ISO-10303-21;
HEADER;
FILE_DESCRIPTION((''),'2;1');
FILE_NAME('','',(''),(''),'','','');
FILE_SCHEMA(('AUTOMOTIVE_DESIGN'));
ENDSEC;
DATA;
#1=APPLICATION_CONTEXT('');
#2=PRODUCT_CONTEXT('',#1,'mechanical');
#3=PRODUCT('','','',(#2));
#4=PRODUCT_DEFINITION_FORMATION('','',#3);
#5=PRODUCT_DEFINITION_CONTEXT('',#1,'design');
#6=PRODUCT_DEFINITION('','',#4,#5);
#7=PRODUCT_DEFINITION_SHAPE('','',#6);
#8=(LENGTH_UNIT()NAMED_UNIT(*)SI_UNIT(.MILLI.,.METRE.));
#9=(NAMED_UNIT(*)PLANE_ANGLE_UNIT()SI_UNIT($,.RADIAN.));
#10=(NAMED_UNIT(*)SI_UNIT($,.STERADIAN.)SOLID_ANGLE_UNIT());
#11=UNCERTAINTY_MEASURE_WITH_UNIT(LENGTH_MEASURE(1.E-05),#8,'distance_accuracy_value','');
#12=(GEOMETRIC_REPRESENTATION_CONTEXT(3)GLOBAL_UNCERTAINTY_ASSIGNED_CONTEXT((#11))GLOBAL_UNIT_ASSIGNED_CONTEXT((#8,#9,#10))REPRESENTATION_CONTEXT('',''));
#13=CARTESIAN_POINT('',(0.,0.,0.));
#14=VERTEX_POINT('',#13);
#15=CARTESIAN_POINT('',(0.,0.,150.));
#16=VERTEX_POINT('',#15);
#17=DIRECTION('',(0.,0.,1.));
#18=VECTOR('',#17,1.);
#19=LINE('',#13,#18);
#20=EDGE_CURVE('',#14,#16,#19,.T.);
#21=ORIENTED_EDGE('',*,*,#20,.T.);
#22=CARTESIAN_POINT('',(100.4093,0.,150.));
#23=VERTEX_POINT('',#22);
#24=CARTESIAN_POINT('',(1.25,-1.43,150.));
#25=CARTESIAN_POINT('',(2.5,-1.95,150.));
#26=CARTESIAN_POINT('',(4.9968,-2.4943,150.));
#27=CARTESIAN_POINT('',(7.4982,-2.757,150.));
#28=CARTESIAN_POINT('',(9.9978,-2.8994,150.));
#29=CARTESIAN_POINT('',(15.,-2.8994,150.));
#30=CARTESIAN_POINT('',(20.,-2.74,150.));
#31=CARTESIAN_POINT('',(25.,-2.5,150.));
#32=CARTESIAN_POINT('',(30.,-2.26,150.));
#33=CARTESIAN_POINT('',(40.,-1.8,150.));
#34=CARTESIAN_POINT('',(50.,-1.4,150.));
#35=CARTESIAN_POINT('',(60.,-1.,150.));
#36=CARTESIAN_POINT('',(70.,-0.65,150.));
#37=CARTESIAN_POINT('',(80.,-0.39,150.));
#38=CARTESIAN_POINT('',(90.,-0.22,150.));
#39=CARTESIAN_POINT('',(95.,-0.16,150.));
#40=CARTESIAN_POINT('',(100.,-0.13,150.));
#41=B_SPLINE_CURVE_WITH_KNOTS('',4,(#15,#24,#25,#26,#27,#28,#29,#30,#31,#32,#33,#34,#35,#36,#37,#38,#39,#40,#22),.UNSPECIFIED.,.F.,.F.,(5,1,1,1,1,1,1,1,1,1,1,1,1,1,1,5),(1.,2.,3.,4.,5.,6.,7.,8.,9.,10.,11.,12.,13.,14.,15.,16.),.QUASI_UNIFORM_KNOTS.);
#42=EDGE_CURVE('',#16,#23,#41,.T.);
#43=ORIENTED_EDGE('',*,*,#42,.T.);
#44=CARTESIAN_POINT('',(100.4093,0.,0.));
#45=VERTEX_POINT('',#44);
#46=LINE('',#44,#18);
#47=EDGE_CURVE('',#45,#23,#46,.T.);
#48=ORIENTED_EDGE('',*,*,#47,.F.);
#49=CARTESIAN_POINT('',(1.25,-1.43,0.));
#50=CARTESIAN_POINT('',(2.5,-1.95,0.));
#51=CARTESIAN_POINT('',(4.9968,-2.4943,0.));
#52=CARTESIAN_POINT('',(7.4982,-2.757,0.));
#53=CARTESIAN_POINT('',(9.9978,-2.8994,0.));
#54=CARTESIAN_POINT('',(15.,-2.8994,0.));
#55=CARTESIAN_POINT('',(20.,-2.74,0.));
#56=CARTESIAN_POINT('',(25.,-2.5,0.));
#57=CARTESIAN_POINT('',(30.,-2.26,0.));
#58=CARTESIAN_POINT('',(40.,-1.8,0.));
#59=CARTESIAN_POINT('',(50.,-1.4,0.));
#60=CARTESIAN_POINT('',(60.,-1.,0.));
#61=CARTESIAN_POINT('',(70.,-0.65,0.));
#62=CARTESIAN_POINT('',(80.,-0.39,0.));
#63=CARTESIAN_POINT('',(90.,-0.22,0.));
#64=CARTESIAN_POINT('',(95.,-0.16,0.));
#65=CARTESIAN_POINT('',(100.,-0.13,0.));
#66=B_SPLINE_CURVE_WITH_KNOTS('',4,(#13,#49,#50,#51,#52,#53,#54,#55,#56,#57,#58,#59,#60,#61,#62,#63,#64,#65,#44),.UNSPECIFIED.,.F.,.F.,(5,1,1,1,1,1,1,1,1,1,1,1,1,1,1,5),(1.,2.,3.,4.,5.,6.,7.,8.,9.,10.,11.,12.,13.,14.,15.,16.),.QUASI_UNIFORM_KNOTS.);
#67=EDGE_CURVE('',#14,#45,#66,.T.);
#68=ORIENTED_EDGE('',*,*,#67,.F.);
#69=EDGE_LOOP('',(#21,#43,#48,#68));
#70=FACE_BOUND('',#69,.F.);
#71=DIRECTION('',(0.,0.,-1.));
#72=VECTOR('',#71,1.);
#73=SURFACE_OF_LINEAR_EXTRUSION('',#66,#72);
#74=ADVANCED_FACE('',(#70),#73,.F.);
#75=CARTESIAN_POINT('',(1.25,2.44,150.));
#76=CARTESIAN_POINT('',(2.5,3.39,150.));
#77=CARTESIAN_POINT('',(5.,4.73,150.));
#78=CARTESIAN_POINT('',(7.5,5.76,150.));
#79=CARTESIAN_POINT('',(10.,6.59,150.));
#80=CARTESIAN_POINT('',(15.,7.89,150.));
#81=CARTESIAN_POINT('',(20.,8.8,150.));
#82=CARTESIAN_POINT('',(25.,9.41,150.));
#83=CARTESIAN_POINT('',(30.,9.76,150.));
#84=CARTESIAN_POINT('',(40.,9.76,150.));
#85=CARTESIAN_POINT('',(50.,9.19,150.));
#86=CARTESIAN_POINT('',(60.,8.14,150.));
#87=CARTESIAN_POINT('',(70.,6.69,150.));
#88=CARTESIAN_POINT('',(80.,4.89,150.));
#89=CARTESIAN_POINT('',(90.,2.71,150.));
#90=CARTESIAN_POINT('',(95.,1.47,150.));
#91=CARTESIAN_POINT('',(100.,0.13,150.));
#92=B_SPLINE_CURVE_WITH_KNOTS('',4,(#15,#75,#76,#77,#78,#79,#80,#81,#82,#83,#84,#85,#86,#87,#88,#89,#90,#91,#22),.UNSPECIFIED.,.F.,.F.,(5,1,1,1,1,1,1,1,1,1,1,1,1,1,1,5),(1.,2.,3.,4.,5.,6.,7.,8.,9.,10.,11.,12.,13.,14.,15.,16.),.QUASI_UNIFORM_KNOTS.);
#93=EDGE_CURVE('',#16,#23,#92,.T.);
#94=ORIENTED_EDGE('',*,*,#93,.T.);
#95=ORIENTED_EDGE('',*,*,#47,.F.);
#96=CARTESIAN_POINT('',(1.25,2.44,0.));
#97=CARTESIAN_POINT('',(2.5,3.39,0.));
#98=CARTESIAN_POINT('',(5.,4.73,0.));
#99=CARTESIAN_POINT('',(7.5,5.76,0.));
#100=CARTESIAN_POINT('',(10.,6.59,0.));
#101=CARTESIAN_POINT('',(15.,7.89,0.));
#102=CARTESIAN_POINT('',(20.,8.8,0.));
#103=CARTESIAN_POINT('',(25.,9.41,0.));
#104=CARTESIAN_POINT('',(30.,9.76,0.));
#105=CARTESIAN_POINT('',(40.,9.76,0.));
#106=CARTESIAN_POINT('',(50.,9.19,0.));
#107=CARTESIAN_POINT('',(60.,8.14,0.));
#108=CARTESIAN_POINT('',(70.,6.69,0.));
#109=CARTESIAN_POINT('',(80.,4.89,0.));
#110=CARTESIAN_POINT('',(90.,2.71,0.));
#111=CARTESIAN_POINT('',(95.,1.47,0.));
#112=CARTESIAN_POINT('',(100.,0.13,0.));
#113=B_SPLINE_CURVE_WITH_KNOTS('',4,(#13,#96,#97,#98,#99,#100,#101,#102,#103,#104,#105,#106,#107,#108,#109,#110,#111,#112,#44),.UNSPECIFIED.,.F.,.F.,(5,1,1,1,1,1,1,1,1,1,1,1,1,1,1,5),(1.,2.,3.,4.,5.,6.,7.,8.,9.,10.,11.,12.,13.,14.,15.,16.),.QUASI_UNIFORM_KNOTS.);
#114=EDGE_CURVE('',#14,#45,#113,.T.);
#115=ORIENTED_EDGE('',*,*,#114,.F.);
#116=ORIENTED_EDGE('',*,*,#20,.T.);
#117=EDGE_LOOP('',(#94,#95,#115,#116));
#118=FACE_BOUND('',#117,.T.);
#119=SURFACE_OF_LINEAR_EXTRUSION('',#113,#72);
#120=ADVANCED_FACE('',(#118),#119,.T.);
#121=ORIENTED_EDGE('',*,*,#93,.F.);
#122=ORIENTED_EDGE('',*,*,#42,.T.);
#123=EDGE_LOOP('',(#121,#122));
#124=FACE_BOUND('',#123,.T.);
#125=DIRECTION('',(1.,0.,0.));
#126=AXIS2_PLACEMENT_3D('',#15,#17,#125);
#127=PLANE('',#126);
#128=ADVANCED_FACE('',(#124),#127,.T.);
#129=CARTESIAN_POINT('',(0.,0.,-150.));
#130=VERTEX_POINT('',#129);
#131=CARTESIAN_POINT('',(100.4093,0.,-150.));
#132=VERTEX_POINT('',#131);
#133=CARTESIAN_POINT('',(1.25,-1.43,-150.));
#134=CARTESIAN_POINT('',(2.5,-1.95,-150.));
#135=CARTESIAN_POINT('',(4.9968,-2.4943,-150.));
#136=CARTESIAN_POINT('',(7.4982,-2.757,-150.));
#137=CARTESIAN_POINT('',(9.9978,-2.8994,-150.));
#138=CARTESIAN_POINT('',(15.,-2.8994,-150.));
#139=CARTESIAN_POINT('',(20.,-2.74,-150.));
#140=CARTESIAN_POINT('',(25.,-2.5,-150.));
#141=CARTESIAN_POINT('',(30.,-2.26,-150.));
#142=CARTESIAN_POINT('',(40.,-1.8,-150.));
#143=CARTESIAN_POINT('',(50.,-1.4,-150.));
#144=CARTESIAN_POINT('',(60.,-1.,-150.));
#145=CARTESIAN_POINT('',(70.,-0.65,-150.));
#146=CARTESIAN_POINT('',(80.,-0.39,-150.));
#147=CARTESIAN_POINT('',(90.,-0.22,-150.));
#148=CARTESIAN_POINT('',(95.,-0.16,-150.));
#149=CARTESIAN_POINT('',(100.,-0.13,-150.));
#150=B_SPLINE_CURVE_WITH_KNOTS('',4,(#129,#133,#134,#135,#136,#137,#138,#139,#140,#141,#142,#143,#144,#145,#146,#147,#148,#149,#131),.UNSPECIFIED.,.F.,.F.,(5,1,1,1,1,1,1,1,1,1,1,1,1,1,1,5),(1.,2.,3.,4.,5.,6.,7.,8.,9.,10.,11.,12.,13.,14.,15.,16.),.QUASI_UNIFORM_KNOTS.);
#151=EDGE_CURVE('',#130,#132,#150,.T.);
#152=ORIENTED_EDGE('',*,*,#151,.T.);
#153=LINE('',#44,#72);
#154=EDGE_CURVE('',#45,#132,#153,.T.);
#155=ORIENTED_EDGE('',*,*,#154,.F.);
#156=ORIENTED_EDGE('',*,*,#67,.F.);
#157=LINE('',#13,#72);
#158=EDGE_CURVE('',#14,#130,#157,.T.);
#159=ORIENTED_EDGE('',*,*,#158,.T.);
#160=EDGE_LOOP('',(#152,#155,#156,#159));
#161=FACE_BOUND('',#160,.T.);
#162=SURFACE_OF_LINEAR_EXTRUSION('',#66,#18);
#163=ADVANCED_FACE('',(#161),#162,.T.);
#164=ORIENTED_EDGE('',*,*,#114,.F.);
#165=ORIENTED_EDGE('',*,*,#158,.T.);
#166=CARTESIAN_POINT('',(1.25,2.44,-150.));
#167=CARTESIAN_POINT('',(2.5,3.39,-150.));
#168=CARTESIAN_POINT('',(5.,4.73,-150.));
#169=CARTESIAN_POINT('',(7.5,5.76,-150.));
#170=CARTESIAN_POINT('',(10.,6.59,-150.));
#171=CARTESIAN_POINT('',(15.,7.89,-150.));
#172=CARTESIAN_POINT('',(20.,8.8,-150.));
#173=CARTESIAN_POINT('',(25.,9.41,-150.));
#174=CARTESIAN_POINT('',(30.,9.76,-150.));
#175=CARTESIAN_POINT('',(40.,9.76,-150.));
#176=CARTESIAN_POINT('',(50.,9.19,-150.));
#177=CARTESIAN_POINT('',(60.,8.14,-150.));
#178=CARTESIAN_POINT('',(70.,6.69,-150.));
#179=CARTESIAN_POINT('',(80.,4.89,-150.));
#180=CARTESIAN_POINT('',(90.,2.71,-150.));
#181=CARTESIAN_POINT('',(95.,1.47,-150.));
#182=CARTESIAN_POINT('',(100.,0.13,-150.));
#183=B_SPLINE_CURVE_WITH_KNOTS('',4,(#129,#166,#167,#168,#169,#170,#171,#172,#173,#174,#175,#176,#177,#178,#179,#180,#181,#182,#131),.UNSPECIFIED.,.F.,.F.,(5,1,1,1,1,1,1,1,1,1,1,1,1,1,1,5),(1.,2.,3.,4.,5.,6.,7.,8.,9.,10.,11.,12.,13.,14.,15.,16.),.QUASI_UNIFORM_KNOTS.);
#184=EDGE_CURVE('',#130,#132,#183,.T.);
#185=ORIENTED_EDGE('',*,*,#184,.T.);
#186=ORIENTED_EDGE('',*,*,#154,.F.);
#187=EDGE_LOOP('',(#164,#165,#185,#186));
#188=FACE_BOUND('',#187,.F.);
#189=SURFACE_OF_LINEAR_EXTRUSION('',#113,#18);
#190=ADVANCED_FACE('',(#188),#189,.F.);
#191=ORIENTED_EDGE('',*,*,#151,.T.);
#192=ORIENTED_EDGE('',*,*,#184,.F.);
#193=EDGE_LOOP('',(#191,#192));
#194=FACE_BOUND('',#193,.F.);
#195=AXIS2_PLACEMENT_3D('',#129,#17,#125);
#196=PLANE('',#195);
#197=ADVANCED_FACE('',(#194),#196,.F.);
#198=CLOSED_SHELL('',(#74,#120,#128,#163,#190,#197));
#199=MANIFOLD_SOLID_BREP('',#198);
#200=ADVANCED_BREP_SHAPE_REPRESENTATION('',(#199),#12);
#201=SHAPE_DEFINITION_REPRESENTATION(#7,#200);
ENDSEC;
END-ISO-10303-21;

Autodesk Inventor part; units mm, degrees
ref_plane "YZ Plane" through (0, 0, 0) normal (1, 0, 0) x (0, 1, 0)
ref_plane "XZ Plane" through (0, 0, 0) normal (0, 1, 0) x (-1, 0, 0)
ref_plane "XY Plane" through (0, 0, 0) normal (0, 0, 1) x (1, 0, 0)
sketch "Sketch1" plane through (0, 0, 0) normal (0, 0, 1) x (1, 0, 0)
  line L0 (0, 0) -> (1.25, 2.44) construction
  line L1 (1.25, 2.44) -> (2.5, 3.39) construction
  line L2 (2.5, 3.39) -> (5, 4.73) construction
  line L3 (5, 4.73) -> (7.5, 5.76) construction
  line L4 (7.5, 5.76) -> (10, 6.59) construction
  line L5 (10, 6.59) -> (15, 7.89) construction
  line L6 (15, 7.89) -> (20, 8.8) construction
  line L7 (20, 8.8) -> (25, 9.41) construction
  line L8 (25, 9.41) -> (30, 9.76) construction
  line L9 (30, 9.76) -> (40, 9.76) construction
  line L10 (40, 9.76) -> (50, 9.19) construction
  line L11 (50, 9.19) -> (60, 8.14) construction
  line L12 (60, 8.14) -> (70, 6.69) construction
  line L13 (70, 6.69) -> (80, 4.89) construction
  line L14 (80, 4.89) -> (90, 2.71) construction
  line L15 (90, 2.71) -> (95, 1.47) construction
  line L16 (95, 1.47) -> (100, 0.13) construction
  line L17 (100, 0.13) -> (100.4093, 0) construction
  spline S0 degree 4 poles (0, 0) (1.25, 2.44) (2.5, 3.39) (5, 4.73) (7.5, 5.76) (10, 6.59) (15, 7.89) (20, 8.8) (25, 9.41) (30, 9.76) (40, 9.76) (50, 9.19) (60, 8.14) (70, 6.69) (80, 4.89) (90, 2.71) (95, 1.47) (100, 0.13) (100.4093, 0) knots 1 1 1 1 1 2 3 4 5 6 7 8 9 10 11 12 13 14 15 16 16 16 16 16
  line L18 (0, 0) -> (1.25, -1.43) construction
  line L19 (1.25, -1.43) -> (2.5, -1.95) construction
  line L20 (2.5, -1.95) -> (4.9968, -2.4943) construction
  line L21 (4.9968, -2.4943) -> (7.4982, -2.757) construction
  line L22 (7.4982, -2.757) -> (9.9978, -2.8994) construction
  line L23 (9.9978, -2.8994) -> (15, -2.8994) construction
  line L24 (15, -2.8994) -> (20, -2.74) construction
  line L25 (20, -2.74) -> (25, -2.5) construction
  line L26 (25, -2.5) -> (30, -2.26) construction
  line L27 (30, -2.26) -> (40, -1.8) construction
  line L28 (40, -1.8) -> (50, -1.4) construction
  line L29 (50, -1.4) -> (60, -1) construction
  line L30 (60, -1) -> (70, -0.65) construction
  line L31 (70, -0.65) -> (80, -0.39) construction
  line L32 (80, -0.39) -> (90, -0.22) construction
  line L33 (90, -0.22) -> (95, -0.16) construction
  line L34 (95, -0.16) -> (100, -0.13) construction
  line L35 (100, -0.13) -> (100.4093, 0) construction
  spline S1 degree 4 poles (0, 0) (1.25, -1.43) (2.5, -1.95) (4.9968, -2.4943) (7.4982, -2.757) (9.9978, -2.8994) (15, -2.8994) (20, -2.74) (25, -2.5) (30, -2.26) (40, -1.8) (50, -1.4) (60, -1) (70, -0.65) (80, -0.39) (90, -0.22) (95, -0.16) (100, -0.13) (100.4093, 0) knots 1 1 1 1 1 2 3 4 5 6 7 8 9 10 11 12 13 14 15 16 16 16 16 16
  point P0 (5, 4.73)
  point P1 (30, -2.26)
extrude "Extrusion1" add sketch "Sketch1" along normal mid plane 300
